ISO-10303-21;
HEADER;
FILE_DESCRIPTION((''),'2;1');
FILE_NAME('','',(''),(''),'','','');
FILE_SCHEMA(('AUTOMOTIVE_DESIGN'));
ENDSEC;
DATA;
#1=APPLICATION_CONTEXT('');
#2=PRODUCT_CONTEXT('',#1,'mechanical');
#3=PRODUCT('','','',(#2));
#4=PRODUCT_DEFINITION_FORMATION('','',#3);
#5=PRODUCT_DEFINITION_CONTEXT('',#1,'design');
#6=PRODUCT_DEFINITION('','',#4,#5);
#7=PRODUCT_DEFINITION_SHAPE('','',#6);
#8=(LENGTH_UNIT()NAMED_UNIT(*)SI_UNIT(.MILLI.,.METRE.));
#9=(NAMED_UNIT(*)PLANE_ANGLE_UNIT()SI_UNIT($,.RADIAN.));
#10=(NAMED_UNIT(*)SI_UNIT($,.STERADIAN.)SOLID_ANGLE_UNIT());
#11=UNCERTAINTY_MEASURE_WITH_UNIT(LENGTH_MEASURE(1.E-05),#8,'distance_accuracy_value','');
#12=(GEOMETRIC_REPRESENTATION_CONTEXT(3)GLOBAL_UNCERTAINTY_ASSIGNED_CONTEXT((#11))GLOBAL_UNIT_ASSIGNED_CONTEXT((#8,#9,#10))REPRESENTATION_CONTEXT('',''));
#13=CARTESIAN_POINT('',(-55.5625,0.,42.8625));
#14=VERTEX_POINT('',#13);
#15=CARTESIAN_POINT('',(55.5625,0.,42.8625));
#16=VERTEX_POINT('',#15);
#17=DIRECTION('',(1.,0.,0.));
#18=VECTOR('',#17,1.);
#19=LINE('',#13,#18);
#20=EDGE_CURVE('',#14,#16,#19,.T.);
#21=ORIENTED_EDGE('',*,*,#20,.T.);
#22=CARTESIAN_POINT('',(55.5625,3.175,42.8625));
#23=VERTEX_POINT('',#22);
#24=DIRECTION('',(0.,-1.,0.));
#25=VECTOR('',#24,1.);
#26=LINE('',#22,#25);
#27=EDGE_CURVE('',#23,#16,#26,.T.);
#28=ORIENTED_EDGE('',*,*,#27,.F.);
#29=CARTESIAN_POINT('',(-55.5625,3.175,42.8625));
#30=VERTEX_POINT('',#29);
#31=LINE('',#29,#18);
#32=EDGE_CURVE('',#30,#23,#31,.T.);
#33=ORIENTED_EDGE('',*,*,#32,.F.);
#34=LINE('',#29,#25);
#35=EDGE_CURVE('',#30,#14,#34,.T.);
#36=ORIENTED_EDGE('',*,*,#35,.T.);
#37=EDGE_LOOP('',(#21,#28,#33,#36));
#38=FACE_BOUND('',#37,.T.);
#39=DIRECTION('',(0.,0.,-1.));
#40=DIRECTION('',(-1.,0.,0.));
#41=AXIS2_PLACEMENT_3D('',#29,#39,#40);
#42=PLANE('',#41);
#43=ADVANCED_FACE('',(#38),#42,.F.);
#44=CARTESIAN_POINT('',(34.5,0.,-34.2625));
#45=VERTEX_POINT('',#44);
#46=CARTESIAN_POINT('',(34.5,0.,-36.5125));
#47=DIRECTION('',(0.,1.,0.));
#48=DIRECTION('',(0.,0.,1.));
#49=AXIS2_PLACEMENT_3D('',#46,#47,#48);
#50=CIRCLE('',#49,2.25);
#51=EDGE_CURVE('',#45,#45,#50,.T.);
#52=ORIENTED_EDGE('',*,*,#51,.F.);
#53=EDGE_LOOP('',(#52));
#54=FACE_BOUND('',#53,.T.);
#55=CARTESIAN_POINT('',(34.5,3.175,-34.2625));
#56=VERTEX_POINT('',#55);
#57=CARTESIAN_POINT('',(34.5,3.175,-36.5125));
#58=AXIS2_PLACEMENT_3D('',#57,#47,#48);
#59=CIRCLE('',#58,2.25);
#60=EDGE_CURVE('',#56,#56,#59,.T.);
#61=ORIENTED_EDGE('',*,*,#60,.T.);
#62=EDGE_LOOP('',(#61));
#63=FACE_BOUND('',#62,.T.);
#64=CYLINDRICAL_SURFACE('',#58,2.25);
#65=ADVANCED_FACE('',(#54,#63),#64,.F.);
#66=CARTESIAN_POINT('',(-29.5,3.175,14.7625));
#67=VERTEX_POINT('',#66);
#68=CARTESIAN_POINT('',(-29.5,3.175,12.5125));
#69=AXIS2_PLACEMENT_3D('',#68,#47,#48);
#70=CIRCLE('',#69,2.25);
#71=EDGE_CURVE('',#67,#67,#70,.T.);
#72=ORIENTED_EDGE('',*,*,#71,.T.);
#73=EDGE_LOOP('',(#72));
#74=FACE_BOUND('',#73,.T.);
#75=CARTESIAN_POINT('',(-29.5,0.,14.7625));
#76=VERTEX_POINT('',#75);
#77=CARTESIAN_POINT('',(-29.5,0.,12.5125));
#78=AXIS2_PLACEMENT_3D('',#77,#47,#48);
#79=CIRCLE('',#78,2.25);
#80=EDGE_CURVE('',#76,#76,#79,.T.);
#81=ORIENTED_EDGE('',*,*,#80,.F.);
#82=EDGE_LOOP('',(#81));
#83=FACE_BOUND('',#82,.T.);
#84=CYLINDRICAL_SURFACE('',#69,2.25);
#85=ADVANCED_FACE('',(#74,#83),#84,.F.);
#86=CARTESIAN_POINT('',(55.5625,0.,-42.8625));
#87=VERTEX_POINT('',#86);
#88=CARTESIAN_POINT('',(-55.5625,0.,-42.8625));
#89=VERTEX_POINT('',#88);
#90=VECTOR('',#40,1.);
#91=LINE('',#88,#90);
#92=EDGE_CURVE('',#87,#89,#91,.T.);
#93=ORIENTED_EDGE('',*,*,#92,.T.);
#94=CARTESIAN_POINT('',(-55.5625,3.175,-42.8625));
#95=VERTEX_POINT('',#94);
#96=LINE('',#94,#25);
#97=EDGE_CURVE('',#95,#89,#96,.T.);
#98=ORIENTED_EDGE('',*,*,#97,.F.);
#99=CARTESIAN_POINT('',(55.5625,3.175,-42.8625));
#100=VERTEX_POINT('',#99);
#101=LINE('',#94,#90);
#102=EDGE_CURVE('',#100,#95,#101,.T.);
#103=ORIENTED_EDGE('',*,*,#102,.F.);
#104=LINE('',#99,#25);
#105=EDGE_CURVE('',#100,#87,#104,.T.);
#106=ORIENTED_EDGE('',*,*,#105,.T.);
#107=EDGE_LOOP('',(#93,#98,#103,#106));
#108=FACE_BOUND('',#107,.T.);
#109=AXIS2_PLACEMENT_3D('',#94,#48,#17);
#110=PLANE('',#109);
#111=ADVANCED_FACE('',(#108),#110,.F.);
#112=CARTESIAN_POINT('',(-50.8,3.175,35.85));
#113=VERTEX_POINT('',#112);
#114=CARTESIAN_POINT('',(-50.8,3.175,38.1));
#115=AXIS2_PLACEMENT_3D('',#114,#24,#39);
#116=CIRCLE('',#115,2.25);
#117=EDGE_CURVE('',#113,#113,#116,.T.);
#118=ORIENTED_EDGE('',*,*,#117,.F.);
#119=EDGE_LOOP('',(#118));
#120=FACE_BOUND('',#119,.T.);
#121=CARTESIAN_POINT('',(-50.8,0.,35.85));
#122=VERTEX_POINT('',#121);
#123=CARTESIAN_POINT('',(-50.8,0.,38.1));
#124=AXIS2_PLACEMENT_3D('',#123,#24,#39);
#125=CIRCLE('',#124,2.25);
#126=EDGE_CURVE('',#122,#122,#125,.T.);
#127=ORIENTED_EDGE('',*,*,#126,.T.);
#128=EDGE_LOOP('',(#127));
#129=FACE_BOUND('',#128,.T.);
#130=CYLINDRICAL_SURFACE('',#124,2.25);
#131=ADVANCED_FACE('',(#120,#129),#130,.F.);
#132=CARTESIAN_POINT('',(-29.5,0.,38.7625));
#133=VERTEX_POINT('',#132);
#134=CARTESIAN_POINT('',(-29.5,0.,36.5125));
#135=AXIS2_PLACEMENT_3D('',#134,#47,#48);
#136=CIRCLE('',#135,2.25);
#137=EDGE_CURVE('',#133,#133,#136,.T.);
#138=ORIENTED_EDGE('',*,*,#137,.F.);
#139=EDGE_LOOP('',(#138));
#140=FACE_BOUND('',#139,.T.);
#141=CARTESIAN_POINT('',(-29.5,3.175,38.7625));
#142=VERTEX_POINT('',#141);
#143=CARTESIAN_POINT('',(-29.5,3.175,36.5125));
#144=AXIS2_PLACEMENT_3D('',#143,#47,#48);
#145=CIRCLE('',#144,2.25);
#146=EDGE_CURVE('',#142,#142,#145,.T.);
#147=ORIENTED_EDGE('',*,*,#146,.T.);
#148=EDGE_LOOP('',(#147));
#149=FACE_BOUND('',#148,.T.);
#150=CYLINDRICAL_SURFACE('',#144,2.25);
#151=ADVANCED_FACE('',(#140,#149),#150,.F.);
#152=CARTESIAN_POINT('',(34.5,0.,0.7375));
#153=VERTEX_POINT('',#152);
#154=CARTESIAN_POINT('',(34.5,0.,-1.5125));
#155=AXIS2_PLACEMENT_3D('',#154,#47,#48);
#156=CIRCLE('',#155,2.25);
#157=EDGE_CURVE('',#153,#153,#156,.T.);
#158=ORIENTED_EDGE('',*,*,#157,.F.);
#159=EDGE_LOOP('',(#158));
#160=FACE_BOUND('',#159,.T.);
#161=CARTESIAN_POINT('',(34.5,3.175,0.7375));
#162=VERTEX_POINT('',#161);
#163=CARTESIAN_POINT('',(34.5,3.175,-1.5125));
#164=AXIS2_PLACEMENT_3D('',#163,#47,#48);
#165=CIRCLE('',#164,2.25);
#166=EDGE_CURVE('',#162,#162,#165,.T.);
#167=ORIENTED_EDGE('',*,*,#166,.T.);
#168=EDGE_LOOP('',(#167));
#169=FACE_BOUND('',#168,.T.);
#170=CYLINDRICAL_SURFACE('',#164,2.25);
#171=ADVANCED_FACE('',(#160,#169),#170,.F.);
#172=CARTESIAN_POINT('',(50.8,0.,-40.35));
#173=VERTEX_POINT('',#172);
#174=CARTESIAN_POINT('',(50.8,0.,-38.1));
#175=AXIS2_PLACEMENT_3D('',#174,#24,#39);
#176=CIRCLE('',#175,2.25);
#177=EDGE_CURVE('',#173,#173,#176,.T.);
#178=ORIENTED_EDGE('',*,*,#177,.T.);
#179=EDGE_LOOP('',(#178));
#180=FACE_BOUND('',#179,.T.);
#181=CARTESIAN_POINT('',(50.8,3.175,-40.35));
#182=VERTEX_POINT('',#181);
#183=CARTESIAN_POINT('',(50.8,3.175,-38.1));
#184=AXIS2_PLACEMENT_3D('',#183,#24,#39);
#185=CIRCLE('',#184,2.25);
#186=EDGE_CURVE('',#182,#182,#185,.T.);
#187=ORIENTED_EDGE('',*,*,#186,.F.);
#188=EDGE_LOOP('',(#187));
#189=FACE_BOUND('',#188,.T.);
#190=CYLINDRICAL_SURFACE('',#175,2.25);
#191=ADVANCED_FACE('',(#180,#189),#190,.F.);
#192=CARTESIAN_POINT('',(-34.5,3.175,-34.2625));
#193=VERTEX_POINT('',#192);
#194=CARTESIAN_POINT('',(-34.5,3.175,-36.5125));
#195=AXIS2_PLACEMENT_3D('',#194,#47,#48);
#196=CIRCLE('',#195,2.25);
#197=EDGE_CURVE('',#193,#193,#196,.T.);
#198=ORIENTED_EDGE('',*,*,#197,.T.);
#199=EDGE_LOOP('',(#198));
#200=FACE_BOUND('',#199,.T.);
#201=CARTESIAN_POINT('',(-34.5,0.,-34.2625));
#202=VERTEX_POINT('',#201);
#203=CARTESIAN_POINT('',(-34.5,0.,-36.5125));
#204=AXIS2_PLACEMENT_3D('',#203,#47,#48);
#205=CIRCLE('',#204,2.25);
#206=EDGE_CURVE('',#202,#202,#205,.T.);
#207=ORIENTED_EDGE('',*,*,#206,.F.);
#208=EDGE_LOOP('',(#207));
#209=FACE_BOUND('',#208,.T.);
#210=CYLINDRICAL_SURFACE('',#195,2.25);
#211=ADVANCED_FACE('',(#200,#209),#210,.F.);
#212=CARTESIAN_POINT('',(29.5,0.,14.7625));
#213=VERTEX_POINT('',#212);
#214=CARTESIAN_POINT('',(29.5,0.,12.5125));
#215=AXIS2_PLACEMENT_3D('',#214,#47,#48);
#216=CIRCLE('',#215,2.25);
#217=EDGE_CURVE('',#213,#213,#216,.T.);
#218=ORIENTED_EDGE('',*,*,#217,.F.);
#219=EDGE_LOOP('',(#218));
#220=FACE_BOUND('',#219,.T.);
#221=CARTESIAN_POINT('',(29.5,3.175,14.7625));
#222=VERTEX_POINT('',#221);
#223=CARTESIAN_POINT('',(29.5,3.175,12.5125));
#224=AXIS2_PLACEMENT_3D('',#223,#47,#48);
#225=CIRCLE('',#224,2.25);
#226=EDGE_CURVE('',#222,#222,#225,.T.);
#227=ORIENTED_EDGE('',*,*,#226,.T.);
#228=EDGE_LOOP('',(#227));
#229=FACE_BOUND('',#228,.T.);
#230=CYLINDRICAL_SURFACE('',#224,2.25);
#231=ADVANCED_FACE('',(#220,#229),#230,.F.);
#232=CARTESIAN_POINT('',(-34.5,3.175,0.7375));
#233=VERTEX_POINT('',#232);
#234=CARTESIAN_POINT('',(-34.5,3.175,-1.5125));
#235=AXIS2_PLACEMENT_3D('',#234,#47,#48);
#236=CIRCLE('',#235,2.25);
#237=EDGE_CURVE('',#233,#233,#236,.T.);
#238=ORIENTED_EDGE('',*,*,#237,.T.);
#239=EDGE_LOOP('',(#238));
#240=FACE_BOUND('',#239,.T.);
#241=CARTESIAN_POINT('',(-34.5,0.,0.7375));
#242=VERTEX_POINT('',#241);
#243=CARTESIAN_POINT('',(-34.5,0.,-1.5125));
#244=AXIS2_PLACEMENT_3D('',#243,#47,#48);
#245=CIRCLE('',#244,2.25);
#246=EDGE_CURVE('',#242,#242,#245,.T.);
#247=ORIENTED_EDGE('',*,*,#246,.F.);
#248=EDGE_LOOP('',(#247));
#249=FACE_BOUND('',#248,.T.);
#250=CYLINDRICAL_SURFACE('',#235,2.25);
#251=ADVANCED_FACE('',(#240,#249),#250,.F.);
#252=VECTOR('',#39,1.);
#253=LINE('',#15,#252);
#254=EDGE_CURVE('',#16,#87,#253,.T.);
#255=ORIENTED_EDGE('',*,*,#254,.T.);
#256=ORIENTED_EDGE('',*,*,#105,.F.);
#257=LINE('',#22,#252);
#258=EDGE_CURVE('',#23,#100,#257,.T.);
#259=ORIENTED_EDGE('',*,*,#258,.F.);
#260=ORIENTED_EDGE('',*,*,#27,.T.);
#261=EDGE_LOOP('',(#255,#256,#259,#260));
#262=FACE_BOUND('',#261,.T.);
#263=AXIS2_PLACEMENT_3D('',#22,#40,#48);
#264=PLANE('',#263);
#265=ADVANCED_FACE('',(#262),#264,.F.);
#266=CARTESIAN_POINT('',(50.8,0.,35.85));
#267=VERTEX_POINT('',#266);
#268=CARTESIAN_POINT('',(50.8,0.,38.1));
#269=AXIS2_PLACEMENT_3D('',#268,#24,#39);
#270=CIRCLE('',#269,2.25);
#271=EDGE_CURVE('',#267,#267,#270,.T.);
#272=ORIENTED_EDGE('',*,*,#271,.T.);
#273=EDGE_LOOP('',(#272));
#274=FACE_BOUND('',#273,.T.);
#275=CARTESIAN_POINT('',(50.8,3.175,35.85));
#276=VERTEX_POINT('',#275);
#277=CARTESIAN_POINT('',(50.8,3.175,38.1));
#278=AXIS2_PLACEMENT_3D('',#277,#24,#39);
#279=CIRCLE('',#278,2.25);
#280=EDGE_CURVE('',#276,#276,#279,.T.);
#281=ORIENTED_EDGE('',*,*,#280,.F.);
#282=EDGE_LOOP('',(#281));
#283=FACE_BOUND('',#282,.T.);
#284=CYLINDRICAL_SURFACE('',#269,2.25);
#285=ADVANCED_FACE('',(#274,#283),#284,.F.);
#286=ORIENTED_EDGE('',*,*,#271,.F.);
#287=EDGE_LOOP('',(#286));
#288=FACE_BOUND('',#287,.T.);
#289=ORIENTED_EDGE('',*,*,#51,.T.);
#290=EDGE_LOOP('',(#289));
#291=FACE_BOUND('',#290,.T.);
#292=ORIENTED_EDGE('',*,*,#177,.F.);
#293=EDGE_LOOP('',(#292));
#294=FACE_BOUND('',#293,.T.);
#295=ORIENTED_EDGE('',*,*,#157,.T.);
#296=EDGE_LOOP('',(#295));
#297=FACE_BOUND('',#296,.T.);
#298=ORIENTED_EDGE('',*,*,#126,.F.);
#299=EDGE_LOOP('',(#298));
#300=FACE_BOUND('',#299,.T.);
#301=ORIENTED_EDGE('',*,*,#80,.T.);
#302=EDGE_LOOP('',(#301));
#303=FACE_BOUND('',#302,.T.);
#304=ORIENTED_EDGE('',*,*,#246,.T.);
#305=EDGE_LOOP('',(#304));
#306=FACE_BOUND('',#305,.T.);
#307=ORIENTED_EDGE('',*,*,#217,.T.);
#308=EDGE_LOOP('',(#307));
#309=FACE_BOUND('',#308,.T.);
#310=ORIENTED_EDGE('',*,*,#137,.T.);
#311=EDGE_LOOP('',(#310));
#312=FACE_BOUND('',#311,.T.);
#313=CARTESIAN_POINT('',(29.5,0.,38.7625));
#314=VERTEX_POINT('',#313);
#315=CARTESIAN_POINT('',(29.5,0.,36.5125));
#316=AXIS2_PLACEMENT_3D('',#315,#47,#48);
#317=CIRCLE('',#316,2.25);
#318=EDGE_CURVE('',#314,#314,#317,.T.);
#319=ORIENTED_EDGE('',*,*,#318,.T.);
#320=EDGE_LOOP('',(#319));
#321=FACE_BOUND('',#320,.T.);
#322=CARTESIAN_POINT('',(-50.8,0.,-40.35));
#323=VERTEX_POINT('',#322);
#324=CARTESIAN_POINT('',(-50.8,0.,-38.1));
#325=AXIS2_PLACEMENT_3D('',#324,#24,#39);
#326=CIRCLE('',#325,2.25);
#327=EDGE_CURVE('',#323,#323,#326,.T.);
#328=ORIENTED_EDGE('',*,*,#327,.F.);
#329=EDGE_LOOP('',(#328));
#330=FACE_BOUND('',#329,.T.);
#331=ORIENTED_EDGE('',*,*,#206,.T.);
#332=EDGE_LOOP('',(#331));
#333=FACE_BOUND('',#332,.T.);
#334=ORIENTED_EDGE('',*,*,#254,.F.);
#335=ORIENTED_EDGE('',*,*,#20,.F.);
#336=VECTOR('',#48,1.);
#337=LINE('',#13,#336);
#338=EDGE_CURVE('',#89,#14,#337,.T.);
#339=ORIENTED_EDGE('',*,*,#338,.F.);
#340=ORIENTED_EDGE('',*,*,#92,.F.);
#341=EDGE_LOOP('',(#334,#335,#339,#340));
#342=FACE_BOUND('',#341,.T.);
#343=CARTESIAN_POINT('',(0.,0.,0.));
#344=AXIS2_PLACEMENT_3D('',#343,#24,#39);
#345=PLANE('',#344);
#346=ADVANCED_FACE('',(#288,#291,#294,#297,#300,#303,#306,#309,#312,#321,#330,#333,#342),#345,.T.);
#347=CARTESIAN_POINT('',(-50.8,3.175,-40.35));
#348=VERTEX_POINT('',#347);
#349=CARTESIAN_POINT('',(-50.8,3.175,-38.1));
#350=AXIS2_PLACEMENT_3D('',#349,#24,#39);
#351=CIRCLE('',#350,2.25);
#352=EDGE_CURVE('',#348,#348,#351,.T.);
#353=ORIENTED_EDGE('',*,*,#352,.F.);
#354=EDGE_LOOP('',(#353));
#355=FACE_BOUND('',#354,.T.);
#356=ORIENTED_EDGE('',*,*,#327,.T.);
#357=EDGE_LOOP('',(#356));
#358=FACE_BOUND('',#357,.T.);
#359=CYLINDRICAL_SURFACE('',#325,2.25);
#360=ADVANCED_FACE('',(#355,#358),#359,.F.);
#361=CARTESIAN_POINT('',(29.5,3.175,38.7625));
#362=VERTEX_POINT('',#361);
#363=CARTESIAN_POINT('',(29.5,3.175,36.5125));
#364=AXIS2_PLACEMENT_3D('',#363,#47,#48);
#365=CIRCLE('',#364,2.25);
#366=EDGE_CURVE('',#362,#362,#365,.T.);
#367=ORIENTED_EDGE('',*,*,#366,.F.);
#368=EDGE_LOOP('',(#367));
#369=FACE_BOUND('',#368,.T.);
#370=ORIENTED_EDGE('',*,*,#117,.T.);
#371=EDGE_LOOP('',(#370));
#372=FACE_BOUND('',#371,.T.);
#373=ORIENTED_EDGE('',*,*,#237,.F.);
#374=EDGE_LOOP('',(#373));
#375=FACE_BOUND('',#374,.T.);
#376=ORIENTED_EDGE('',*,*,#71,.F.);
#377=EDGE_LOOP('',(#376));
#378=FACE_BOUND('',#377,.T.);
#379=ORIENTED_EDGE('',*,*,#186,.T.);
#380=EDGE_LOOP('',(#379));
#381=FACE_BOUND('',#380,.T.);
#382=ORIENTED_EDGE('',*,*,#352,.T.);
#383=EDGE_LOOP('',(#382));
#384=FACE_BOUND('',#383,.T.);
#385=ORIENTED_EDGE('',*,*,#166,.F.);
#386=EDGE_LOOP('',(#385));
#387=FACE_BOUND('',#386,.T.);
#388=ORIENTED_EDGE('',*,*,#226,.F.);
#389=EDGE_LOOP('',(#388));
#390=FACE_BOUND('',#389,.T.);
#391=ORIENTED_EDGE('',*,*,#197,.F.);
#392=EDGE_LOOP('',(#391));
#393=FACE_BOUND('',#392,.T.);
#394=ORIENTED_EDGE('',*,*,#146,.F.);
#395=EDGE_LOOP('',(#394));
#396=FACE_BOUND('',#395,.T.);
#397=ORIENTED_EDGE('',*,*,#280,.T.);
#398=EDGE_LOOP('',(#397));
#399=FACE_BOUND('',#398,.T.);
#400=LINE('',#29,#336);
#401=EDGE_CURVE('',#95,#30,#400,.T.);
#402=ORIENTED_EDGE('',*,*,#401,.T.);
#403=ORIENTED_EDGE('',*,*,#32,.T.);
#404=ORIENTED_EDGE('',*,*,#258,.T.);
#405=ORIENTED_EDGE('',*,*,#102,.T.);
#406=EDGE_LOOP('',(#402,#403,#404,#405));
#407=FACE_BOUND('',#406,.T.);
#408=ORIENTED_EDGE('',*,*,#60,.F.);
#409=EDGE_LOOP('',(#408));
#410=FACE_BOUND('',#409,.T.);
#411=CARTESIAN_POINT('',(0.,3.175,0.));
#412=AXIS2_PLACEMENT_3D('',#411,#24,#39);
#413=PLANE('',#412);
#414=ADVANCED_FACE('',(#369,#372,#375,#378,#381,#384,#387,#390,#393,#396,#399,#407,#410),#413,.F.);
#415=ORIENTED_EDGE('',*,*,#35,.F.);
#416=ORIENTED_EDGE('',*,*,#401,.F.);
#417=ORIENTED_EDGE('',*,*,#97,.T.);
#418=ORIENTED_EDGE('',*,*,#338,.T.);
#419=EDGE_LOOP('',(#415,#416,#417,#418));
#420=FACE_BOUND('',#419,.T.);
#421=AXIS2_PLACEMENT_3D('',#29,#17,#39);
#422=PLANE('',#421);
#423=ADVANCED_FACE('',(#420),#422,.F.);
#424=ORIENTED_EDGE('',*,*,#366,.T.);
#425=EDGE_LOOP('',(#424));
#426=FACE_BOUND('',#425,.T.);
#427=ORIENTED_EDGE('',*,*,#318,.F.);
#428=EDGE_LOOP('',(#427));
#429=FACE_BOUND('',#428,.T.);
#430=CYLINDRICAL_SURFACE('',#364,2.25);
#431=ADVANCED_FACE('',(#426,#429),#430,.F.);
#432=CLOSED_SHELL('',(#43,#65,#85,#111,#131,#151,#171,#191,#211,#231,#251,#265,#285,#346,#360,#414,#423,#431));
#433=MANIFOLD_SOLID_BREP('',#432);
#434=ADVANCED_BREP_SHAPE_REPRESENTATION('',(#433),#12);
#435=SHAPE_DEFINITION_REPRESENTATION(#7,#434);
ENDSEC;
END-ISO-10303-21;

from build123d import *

# Parameters (mm, degrees)
SKETCH1_W            = 111.125
SKETCH1_H            = 85.725
BOSS_EXTRUDE1_DEPTH  = 3.175
M3_CLEARANCE_HOLE1_D = 4.5
M3_CLEARANCE_HOLE2_D = 4.5


with BuildPart() as part:
    # Sketch1 → Boss-Extrude1 (new body)
    with BuildSketch(Plane(origin=(0, 0, 0), x_dir=(1, 0, 0), z_dir=(0, 1, 0))):
        Rectangle(SKETCH1_W, SKETCH1_H)
    extrude(amount=BOSS_EXTRUDE1_DEPTH)

    # M3 Clearance Hole1 (through all)
    with Locations(Plane(origin=(-50.8, 0, 38.1), x_dir=(0, 0, -1), z_dir=(0, -1, 0))):
        with Locations((0, 0), (0, 101.6), (76.2, 0), (76.2, 101.6)):
            Hole(M3_CLEARANCE_HOLE1_D / 2)

    # M3 Clearance Hole2 (through all)
    with Locations(Plane(origin=(-29.5, 3.175, 36.5125), x_dir=(0, 0, 1), z_dir=(0, 1, 0))):
        with Locations((0, 0), (-24, 0), (-24, 59), (0, 59), (-38.025, 64), (-73.025, 64), (-73.025, -5), (-38.025, -5)):
            Hole(M3_CLEARANCE_HOLE2_D / 2)


solid = part.part
